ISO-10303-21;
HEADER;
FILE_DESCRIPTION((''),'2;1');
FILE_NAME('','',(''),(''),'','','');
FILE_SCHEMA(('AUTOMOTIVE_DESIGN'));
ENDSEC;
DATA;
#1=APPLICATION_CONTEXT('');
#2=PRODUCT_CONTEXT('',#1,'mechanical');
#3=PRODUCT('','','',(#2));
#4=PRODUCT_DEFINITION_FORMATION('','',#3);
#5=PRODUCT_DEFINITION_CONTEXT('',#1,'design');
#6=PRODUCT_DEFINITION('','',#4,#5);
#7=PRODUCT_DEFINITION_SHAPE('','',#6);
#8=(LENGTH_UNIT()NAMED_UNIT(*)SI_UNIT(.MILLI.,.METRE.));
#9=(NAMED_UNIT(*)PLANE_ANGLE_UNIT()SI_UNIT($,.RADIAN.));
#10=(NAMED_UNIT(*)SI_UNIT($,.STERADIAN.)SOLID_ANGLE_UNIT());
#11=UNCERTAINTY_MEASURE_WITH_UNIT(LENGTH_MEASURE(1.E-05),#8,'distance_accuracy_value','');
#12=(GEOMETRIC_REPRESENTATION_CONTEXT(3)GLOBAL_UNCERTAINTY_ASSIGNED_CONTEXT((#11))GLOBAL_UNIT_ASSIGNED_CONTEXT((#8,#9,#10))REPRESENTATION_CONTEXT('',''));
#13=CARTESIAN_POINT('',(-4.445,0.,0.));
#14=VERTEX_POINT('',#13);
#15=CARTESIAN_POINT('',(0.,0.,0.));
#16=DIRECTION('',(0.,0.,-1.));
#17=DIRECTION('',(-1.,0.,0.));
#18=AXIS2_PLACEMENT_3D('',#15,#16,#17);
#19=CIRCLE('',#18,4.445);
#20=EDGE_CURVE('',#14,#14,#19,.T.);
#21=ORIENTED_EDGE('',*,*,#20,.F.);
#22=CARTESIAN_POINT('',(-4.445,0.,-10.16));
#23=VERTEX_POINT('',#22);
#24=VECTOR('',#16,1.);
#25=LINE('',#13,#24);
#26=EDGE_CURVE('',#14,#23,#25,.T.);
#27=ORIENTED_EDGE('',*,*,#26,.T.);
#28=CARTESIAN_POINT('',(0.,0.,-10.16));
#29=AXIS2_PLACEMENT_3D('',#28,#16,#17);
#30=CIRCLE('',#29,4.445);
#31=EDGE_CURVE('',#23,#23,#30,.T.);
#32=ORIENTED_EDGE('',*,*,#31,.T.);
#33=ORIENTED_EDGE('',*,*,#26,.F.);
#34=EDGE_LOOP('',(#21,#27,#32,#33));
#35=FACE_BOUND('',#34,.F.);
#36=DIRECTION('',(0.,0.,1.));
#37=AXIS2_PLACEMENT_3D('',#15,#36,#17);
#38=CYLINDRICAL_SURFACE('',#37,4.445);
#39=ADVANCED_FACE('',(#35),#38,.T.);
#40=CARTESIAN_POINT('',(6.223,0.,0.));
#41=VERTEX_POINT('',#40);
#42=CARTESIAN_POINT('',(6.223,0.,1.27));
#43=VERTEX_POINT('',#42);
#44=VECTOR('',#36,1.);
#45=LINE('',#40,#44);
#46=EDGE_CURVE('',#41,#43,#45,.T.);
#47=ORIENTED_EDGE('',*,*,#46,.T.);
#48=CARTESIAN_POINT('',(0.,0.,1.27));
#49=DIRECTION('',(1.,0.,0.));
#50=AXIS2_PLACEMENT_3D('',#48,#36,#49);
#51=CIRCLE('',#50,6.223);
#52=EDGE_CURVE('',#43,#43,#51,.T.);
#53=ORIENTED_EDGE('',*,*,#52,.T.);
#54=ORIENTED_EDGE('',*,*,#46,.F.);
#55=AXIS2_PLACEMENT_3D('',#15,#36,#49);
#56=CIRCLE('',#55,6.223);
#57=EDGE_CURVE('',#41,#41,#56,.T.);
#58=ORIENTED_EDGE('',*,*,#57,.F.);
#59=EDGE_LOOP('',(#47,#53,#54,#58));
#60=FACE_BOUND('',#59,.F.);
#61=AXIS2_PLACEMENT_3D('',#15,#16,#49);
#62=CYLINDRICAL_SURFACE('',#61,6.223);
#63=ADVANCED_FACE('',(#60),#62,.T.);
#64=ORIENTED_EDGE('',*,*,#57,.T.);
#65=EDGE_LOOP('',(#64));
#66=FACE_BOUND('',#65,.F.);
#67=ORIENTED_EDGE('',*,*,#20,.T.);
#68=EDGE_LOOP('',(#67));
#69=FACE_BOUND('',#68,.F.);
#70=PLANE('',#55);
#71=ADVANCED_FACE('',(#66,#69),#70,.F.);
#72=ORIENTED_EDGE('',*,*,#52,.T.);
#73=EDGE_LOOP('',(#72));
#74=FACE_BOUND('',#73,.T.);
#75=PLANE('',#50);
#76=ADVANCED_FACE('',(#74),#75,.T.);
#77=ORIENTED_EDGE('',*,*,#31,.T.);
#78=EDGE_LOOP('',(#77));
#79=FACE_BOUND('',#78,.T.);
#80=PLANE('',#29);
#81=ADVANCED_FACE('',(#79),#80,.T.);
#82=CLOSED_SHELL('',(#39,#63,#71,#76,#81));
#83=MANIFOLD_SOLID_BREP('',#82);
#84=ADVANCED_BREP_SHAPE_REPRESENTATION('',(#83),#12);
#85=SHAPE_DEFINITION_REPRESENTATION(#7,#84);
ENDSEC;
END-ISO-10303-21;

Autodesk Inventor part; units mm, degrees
ref_plane "YZ Plane" through (0, 0, 0) normal (1, 0, 0) x (0, 1, 0)
ref_plane "XZ Plane" through (0, 0, 0) normal (0, 1, 0) x (-1, 0, 0)
ref_plane "XY Plane" through (0, 0, 0) normal (0, 0, 1) x (1, 0, 0)
sketch "Sketch1" plane through (0, 0, 0) normal (0, 0, 1) x (1, 0, 0)
  circle A0 centre (0, 0) radius 6.223
  dimension "d0" = 12.446
extrude "Extrusion1" add sketch "Sketch1" along normal blind 1.27
sketch "Sketch2" plane through (0, 0, 0) normal (0, 0, -1) x (-1, 0, 0)
  circle A0 centre (0, 0) radius 4.445
  dimension "d3" = 8.89
extrude "Extrusion2" add sketch "Sketch2" along normal blind 10.16
thread "Thread1" size "3/8-16 UNC" class "2A" standard "ANSI Unified Screw Threads" full length
properties part number "Light"
